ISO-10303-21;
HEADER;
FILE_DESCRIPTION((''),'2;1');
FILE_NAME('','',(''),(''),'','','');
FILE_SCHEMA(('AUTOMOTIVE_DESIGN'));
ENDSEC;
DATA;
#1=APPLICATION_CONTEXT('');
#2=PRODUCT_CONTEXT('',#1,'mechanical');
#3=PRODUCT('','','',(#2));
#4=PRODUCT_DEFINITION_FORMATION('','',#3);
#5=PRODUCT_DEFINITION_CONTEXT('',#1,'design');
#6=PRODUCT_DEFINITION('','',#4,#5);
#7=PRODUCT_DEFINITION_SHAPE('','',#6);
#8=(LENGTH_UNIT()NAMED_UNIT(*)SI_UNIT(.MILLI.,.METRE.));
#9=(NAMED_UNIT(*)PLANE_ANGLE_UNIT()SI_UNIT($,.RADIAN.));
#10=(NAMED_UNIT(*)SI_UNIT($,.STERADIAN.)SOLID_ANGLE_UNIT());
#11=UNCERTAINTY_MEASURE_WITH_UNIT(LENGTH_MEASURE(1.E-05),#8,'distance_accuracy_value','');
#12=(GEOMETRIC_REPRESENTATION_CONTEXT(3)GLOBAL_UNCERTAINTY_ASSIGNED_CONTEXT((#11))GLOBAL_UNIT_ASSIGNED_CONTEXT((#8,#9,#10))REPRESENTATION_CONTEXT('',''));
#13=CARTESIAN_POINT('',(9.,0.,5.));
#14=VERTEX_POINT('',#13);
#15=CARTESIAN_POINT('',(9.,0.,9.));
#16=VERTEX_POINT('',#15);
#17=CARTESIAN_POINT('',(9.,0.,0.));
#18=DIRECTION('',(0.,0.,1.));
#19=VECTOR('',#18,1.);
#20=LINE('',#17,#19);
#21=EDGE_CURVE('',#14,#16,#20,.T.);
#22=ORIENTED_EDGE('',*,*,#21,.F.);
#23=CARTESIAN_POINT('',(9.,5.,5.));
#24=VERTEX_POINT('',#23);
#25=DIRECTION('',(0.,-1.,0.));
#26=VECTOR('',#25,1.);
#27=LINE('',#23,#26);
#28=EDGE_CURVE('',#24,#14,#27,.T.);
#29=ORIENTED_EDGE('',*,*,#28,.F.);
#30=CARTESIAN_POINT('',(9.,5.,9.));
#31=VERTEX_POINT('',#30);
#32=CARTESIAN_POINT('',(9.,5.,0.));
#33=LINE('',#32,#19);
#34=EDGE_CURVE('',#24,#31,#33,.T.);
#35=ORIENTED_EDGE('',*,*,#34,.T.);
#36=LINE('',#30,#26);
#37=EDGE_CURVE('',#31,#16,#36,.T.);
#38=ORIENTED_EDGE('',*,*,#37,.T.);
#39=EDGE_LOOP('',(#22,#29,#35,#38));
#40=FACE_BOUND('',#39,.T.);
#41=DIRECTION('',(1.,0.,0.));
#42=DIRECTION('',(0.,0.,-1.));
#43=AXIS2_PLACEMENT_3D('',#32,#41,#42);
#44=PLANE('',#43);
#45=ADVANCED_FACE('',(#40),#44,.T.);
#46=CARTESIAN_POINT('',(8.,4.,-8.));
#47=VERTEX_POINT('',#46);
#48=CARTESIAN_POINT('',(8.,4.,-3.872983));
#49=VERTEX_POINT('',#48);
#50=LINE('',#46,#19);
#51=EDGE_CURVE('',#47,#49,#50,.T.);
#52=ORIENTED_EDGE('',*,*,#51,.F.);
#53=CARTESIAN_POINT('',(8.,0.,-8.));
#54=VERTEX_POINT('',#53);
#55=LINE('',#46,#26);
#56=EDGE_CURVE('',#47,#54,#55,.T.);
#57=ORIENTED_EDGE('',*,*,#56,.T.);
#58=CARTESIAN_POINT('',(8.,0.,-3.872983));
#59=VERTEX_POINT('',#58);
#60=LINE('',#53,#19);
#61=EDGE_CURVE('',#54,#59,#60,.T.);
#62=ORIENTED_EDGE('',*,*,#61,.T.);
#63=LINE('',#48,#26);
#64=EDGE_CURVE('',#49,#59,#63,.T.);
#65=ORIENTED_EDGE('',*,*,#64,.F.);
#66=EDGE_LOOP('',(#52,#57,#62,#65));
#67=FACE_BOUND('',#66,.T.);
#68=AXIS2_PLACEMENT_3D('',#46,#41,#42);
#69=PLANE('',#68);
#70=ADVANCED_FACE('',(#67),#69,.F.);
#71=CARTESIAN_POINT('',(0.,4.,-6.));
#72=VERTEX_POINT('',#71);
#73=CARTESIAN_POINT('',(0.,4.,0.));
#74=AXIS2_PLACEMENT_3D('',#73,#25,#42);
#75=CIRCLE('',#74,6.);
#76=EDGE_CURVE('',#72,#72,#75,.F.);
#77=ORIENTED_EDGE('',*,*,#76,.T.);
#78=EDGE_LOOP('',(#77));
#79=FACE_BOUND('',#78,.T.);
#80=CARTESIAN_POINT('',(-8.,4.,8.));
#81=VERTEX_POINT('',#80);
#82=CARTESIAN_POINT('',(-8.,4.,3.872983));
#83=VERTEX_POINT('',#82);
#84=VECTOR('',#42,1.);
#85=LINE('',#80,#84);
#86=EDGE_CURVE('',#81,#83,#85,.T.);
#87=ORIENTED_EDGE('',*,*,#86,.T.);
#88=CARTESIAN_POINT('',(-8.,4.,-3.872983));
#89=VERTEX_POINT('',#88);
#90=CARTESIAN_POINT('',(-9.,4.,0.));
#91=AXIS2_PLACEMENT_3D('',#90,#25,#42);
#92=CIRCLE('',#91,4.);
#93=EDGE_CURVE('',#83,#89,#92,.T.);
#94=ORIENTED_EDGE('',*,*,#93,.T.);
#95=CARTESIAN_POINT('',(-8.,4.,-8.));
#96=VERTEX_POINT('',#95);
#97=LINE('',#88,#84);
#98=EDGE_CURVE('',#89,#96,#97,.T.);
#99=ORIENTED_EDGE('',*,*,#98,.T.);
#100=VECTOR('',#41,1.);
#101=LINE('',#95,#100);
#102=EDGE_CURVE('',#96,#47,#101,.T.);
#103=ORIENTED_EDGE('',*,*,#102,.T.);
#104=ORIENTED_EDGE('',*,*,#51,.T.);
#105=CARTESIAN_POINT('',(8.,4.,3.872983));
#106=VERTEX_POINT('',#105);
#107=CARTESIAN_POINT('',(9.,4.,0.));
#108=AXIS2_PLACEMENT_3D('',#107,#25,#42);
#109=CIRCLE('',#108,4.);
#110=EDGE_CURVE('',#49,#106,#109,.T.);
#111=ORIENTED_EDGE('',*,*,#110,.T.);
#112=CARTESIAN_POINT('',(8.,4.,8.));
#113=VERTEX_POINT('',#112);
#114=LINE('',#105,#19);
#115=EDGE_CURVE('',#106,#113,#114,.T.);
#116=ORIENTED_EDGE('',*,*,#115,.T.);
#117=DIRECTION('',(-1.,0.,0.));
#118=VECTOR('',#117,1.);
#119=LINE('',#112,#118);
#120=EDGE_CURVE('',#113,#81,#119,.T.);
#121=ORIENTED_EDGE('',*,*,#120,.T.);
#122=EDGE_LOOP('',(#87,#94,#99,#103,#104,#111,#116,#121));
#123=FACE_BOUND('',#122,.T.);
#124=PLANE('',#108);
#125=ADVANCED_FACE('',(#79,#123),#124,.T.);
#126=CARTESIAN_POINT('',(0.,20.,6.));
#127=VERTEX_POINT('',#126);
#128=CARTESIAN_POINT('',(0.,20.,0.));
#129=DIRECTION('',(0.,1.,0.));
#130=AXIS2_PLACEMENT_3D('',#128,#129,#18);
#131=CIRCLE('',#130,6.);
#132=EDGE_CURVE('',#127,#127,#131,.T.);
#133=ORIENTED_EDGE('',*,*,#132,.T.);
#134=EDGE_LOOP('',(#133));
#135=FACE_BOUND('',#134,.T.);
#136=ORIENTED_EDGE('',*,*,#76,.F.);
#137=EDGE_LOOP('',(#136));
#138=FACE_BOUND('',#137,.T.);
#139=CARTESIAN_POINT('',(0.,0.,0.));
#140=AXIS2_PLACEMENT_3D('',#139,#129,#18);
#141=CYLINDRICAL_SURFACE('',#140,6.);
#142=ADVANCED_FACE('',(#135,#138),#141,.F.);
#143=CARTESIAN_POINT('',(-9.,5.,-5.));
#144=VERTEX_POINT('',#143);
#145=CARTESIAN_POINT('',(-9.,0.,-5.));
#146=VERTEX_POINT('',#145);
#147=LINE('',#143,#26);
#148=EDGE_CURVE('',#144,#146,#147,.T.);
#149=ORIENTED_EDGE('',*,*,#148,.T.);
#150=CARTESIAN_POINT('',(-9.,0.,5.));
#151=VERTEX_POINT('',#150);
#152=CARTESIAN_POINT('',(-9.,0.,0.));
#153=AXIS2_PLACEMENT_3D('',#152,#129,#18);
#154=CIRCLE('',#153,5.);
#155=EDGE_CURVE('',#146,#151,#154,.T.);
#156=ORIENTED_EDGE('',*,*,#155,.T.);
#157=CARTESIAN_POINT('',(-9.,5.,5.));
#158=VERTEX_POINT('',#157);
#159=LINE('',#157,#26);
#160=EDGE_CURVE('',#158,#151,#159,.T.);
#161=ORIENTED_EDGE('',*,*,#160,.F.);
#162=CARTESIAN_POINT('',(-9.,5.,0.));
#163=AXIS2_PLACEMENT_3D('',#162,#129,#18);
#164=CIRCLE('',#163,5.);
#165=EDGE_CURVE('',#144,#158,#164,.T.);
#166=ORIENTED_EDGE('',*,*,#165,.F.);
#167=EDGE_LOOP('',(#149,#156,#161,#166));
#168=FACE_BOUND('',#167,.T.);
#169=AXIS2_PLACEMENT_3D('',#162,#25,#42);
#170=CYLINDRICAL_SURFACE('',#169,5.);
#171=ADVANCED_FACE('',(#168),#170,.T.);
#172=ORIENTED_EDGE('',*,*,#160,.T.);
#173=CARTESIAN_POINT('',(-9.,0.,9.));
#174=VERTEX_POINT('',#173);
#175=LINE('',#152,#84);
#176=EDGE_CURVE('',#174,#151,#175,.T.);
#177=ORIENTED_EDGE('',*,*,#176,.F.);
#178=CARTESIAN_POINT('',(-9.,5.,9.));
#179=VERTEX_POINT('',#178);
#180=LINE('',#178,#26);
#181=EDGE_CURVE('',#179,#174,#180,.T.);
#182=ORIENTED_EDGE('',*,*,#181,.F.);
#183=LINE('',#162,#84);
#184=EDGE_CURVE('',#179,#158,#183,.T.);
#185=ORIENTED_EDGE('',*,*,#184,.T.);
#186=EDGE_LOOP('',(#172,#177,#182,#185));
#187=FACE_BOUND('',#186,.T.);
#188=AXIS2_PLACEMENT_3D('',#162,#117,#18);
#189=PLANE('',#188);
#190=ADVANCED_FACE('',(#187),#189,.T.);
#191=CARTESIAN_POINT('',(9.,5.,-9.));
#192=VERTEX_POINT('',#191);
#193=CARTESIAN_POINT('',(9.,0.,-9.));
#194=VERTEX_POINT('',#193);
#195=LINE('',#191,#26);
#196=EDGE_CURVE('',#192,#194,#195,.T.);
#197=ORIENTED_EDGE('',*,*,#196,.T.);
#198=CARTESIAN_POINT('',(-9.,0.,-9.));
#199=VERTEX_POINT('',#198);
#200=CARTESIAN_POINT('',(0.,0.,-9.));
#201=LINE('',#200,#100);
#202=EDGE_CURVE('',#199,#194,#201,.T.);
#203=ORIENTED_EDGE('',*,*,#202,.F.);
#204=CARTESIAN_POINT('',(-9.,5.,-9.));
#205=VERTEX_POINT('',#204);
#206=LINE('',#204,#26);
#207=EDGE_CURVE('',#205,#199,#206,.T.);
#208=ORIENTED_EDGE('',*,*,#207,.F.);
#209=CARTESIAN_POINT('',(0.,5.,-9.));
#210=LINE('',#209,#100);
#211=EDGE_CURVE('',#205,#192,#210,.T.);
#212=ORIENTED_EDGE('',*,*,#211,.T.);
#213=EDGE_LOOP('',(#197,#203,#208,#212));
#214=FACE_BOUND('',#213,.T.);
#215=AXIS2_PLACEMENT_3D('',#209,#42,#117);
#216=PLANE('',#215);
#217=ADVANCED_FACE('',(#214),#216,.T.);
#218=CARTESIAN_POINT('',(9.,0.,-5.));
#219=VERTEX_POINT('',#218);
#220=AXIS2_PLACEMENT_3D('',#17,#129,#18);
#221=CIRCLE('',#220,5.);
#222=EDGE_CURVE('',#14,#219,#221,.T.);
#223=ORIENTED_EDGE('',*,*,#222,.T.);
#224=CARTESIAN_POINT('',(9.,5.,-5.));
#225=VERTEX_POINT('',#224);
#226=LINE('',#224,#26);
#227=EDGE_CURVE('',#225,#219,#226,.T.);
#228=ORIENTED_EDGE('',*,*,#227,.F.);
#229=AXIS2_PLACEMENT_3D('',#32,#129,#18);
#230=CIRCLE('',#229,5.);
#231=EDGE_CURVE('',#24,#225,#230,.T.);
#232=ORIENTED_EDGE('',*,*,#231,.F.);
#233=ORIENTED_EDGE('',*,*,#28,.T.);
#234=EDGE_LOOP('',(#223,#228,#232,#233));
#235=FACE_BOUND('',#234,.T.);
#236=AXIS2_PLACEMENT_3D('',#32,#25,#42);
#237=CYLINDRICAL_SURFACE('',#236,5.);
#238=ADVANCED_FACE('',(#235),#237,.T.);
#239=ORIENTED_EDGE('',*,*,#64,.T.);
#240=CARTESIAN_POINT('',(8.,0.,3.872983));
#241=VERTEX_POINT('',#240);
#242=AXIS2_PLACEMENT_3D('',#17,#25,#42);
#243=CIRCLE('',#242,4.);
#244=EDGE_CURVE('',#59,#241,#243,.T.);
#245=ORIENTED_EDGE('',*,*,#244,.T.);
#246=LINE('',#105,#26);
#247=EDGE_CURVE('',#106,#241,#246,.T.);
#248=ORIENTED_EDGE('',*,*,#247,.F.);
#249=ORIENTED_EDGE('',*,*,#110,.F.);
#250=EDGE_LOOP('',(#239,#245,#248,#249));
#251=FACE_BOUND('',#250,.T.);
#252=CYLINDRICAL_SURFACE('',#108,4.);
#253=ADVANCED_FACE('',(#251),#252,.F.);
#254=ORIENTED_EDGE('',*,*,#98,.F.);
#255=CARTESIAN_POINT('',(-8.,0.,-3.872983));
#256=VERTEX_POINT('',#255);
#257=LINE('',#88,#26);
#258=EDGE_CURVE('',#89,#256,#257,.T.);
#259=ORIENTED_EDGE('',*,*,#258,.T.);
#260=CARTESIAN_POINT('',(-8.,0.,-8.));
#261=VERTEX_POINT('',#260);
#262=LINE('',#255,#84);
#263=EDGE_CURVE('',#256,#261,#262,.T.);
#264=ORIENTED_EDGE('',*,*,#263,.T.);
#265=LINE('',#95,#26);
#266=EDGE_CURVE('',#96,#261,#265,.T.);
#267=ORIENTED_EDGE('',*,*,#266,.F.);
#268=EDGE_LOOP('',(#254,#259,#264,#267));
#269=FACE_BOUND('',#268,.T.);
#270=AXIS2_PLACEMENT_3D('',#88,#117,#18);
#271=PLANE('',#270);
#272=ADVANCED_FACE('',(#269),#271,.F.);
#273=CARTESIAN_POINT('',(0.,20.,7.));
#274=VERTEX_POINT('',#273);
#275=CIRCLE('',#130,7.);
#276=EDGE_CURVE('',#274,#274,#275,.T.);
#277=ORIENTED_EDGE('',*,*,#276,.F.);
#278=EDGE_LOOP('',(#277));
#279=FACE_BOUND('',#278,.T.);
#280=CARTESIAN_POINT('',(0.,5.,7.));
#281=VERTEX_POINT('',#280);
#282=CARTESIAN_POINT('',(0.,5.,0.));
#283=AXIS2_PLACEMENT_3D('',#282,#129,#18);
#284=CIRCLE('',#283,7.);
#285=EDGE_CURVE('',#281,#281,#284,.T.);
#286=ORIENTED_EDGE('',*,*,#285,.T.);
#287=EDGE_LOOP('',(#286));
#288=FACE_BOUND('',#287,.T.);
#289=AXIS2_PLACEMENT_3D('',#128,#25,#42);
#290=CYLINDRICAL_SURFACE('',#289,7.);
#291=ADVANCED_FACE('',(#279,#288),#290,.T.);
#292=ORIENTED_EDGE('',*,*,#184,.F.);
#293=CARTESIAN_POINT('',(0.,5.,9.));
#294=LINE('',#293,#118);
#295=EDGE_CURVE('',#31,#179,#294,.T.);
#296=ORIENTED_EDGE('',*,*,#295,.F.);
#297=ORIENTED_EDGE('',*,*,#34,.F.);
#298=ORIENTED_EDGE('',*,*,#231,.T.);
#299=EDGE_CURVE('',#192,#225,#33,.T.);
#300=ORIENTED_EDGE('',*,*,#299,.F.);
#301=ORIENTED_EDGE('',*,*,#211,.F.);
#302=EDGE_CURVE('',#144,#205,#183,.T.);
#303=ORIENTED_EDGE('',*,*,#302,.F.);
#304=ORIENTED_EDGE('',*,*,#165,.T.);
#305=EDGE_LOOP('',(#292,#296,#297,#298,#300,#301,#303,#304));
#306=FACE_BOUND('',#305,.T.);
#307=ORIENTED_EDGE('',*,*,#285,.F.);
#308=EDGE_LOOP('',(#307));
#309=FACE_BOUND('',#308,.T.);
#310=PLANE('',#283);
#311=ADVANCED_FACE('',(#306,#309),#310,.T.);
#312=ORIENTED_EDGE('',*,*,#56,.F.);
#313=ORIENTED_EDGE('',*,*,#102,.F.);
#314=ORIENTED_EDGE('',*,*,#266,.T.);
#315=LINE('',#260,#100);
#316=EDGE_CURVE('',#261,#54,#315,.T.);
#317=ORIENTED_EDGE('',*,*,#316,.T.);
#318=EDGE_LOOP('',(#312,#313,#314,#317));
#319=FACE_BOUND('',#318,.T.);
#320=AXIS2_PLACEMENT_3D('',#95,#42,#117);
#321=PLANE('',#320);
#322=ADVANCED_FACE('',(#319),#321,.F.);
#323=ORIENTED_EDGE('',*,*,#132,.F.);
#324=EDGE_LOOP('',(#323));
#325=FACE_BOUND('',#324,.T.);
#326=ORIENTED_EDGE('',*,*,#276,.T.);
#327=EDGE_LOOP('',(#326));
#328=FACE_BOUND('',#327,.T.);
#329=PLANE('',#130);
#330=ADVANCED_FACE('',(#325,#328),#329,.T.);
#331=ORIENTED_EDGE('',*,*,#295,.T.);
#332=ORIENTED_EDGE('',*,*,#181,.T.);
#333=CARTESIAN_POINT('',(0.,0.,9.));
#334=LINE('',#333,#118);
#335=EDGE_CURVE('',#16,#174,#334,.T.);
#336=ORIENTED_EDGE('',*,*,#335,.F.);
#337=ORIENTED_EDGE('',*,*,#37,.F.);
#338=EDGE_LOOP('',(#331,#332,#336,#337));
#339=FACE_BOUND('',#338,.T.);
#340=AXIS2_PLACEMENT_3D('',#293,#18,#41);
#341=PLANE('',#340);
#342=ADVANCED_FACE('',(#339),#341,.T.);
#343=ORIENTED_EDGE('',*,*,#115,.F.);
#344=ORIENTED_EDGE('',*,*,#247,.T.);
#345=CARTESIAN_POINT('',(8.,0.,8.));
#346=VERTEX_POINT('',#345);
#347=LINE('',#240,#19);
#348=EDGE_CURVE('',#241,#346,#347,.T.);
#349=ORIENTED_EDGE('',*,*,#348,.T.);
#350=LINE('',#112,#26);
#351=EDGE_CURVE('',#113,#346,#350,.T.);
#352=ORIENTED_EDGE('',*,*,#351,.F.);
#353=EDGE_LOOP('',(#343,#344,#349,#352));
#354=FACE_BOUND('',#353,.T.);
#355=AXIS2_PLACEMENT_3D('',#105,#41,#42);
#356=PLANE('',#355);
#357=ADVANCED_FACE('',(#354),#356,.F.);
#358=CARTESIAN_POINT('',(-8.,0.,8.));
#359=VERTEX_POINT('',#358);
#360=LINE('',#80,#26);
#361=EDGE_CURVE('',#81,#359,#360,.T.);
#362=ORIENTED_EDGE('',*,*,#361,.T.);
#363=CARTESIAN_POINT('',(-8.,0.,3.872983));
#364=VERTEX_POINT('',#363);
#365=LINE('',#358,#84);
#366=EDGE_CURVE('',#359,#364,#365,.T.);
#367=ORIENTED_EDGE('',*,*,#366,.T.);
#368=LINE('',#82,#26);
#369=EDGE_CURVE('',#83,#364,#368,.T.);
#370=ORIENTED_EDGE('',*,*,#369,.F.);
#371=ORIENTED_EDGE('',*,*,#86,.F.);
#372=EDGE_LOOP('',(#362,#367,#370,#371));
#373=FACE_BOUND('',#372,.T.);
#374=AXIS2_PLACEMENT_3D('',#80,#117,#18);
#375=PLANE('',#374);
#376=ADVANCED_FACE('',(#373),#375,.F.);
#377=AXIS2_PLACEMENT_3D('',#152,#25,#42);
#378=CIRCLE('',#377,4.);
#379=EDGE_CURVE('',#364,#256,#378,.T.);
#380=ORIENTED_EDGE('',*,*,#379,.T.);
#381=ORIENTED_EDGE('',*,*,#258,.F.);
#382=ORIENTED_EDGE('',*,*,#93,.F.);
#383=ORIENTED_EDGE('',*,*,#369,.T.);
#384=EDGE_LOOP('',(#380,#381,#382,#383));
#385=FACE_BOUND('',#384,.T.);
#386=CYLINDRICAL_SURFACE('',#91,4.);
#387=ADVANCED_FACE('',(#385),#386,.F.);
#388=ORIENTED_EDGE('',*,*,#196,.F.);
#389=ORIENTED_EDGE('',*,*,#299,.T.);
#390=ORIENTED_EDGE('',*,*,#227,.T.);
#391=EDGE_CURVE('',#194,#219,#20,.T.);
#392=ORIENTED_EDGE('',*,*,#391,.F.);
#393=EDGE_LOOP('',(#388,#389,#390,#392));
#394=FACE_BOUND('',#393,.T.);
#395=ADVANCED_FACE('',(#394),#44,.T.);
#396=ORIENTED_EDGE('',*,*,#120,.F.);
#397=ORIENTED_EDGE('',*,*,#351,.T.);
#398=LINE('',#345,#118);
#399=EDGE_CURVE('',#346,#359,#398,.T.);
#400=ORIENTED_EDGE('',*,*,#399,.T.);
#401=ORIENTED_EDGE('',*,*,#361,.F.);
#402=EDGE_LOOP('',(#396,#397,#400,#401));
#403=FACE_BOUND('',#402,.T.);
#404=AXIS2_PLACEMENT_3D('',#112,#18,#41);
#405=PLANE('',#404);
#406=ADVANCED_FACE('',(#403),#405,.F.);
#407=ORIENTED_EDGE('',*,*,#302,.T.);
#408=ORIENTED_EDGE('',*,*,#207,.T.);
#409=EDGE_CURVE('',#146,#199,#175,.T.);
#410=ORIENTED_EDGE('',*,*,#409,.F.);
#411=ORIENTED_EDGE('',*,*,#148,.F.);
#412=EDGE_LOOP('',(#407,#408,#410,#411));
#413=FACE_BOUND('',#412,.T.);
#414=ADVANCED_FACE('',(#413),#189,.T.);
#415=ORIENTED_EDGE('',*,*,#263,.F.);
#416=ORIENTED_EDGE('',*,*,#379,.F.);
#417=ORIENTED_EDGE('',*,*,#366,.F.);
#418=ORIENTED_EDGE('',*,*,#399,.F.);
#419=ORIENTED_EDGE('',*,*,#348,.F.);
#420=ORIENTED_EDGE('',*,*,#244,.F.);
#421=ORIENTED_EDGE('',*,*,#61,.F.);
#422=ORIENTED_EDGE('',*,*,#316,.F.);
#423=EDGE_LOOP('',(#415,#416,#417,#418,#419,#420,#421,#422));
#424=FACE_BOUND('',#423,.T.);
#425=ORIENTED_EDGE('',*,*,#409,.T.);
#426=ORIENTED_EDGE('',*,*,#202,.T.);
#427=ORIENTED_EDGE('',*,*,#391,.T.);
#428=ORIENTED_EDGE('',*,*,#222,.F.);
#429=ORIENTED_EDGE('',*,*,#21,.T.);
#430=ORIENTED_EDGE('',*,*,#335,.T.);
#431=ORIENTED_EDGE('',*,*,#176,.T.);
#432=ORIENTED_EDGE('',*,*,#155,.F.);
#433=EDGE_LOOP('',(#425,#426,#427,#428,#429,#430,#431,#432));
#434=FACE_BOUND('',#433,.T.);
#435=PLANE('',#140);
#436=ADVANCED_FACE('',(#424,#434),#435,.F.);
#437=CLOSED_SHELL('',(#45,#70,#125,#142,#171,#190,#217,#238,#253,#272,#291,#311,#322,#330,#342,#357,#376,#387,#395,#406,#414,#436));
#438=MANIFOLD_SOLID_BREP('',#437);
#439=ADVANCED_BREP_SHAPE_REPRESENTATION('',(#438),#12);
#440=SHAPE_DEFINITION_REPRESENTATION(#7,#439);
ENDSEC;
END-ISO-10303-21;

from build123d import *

# Parameters (mm, degrees)
SKETCH1_W           = 18
SKETCH1_H           = 4
BOSS_EXTRUDE1_DEPTH = 5
SKETCH2_R           = 7
BOSS_EXTRUDE2_DEPTH = 15
SKETCH3_R           = 6
CUT_EXTRUDE1_DEPTH  = 21
CUT_EXTRUDE2_DEPTH  = 4


with BuildPart() as part:
    # Sketch1 → Boss-Extrude1 (new body)
    with BuildSketch(Plane(origin=(0, 0, 0), x_dir=(1, 0, 0), z_dir=(0, 1, 0))):
        with Locations((0, 7)):
            Rectangle(SKETCH1_W, SKETCH1_H)
        with Locations((0, -7)):
            Rectangle(SKETCH1_W, SKETCH1_H)
        with BuildLine():
            Line((-9, -5), (9, -5))
            ThreePointArc((9, -5), (14, 0), (9, 5))
            Line((9, 5), (-9, 5))
            ThreePointArc((-9, 5), (-14, 0), (-9, -5))
        make_face()
    extrude(amount=BOSS_EXTRUDE1_DEPTH)

    # Sketch2 → Boss-Extrude2 (add)
    with BuildSketch(Plane(origin=(0, 5, 0), x_dir=(1, 0, 0), z_dir=(0, 1, 0))):
        Circle(SKETCH2_R)
    extrude(amount=BOSS_EXTRUDE2_DEPTH)

    # Sketch3 → Cut-Extrude1 (cut, through all)
    with BuildSketch(Plane(origin=(0, 20, 0), x_dir=(1, 0, 0), z_dir=(0, 1, 0))):
        Circle(SKETCH3_R)
    extrude(amount=-CUT_EXTRUDE1_DEPTH, mode=Mode.SUBTRACT)

    # Sketch4 → Cut-Extrude2 (cut)
    with BuildSketch(Plane.XZ):
        with BuildLine():
            Line((8, -8), (8, -3.872983346))
            ThreePointArc((8, -3.872983346), (13, 0), (8, 3.872983346))
            Line((8, 3.872983346), (8, 8))
            Line((8, 8), (-8, 8))
            Line((-8, 8), (-8, 3.872983346))
            ThreePointArc((-8, 3.872983346), (-13, 0), (-8, -3.872983346))
            Line((-8, -3.872983346), (-8, -8))
            Line((-8, -8), (8, -8))
        make_face()
    extrude(amount=-CUT_EXTRUDE2_DEPTH, mode=Mode.SUBTRACT)


solid = part.part
